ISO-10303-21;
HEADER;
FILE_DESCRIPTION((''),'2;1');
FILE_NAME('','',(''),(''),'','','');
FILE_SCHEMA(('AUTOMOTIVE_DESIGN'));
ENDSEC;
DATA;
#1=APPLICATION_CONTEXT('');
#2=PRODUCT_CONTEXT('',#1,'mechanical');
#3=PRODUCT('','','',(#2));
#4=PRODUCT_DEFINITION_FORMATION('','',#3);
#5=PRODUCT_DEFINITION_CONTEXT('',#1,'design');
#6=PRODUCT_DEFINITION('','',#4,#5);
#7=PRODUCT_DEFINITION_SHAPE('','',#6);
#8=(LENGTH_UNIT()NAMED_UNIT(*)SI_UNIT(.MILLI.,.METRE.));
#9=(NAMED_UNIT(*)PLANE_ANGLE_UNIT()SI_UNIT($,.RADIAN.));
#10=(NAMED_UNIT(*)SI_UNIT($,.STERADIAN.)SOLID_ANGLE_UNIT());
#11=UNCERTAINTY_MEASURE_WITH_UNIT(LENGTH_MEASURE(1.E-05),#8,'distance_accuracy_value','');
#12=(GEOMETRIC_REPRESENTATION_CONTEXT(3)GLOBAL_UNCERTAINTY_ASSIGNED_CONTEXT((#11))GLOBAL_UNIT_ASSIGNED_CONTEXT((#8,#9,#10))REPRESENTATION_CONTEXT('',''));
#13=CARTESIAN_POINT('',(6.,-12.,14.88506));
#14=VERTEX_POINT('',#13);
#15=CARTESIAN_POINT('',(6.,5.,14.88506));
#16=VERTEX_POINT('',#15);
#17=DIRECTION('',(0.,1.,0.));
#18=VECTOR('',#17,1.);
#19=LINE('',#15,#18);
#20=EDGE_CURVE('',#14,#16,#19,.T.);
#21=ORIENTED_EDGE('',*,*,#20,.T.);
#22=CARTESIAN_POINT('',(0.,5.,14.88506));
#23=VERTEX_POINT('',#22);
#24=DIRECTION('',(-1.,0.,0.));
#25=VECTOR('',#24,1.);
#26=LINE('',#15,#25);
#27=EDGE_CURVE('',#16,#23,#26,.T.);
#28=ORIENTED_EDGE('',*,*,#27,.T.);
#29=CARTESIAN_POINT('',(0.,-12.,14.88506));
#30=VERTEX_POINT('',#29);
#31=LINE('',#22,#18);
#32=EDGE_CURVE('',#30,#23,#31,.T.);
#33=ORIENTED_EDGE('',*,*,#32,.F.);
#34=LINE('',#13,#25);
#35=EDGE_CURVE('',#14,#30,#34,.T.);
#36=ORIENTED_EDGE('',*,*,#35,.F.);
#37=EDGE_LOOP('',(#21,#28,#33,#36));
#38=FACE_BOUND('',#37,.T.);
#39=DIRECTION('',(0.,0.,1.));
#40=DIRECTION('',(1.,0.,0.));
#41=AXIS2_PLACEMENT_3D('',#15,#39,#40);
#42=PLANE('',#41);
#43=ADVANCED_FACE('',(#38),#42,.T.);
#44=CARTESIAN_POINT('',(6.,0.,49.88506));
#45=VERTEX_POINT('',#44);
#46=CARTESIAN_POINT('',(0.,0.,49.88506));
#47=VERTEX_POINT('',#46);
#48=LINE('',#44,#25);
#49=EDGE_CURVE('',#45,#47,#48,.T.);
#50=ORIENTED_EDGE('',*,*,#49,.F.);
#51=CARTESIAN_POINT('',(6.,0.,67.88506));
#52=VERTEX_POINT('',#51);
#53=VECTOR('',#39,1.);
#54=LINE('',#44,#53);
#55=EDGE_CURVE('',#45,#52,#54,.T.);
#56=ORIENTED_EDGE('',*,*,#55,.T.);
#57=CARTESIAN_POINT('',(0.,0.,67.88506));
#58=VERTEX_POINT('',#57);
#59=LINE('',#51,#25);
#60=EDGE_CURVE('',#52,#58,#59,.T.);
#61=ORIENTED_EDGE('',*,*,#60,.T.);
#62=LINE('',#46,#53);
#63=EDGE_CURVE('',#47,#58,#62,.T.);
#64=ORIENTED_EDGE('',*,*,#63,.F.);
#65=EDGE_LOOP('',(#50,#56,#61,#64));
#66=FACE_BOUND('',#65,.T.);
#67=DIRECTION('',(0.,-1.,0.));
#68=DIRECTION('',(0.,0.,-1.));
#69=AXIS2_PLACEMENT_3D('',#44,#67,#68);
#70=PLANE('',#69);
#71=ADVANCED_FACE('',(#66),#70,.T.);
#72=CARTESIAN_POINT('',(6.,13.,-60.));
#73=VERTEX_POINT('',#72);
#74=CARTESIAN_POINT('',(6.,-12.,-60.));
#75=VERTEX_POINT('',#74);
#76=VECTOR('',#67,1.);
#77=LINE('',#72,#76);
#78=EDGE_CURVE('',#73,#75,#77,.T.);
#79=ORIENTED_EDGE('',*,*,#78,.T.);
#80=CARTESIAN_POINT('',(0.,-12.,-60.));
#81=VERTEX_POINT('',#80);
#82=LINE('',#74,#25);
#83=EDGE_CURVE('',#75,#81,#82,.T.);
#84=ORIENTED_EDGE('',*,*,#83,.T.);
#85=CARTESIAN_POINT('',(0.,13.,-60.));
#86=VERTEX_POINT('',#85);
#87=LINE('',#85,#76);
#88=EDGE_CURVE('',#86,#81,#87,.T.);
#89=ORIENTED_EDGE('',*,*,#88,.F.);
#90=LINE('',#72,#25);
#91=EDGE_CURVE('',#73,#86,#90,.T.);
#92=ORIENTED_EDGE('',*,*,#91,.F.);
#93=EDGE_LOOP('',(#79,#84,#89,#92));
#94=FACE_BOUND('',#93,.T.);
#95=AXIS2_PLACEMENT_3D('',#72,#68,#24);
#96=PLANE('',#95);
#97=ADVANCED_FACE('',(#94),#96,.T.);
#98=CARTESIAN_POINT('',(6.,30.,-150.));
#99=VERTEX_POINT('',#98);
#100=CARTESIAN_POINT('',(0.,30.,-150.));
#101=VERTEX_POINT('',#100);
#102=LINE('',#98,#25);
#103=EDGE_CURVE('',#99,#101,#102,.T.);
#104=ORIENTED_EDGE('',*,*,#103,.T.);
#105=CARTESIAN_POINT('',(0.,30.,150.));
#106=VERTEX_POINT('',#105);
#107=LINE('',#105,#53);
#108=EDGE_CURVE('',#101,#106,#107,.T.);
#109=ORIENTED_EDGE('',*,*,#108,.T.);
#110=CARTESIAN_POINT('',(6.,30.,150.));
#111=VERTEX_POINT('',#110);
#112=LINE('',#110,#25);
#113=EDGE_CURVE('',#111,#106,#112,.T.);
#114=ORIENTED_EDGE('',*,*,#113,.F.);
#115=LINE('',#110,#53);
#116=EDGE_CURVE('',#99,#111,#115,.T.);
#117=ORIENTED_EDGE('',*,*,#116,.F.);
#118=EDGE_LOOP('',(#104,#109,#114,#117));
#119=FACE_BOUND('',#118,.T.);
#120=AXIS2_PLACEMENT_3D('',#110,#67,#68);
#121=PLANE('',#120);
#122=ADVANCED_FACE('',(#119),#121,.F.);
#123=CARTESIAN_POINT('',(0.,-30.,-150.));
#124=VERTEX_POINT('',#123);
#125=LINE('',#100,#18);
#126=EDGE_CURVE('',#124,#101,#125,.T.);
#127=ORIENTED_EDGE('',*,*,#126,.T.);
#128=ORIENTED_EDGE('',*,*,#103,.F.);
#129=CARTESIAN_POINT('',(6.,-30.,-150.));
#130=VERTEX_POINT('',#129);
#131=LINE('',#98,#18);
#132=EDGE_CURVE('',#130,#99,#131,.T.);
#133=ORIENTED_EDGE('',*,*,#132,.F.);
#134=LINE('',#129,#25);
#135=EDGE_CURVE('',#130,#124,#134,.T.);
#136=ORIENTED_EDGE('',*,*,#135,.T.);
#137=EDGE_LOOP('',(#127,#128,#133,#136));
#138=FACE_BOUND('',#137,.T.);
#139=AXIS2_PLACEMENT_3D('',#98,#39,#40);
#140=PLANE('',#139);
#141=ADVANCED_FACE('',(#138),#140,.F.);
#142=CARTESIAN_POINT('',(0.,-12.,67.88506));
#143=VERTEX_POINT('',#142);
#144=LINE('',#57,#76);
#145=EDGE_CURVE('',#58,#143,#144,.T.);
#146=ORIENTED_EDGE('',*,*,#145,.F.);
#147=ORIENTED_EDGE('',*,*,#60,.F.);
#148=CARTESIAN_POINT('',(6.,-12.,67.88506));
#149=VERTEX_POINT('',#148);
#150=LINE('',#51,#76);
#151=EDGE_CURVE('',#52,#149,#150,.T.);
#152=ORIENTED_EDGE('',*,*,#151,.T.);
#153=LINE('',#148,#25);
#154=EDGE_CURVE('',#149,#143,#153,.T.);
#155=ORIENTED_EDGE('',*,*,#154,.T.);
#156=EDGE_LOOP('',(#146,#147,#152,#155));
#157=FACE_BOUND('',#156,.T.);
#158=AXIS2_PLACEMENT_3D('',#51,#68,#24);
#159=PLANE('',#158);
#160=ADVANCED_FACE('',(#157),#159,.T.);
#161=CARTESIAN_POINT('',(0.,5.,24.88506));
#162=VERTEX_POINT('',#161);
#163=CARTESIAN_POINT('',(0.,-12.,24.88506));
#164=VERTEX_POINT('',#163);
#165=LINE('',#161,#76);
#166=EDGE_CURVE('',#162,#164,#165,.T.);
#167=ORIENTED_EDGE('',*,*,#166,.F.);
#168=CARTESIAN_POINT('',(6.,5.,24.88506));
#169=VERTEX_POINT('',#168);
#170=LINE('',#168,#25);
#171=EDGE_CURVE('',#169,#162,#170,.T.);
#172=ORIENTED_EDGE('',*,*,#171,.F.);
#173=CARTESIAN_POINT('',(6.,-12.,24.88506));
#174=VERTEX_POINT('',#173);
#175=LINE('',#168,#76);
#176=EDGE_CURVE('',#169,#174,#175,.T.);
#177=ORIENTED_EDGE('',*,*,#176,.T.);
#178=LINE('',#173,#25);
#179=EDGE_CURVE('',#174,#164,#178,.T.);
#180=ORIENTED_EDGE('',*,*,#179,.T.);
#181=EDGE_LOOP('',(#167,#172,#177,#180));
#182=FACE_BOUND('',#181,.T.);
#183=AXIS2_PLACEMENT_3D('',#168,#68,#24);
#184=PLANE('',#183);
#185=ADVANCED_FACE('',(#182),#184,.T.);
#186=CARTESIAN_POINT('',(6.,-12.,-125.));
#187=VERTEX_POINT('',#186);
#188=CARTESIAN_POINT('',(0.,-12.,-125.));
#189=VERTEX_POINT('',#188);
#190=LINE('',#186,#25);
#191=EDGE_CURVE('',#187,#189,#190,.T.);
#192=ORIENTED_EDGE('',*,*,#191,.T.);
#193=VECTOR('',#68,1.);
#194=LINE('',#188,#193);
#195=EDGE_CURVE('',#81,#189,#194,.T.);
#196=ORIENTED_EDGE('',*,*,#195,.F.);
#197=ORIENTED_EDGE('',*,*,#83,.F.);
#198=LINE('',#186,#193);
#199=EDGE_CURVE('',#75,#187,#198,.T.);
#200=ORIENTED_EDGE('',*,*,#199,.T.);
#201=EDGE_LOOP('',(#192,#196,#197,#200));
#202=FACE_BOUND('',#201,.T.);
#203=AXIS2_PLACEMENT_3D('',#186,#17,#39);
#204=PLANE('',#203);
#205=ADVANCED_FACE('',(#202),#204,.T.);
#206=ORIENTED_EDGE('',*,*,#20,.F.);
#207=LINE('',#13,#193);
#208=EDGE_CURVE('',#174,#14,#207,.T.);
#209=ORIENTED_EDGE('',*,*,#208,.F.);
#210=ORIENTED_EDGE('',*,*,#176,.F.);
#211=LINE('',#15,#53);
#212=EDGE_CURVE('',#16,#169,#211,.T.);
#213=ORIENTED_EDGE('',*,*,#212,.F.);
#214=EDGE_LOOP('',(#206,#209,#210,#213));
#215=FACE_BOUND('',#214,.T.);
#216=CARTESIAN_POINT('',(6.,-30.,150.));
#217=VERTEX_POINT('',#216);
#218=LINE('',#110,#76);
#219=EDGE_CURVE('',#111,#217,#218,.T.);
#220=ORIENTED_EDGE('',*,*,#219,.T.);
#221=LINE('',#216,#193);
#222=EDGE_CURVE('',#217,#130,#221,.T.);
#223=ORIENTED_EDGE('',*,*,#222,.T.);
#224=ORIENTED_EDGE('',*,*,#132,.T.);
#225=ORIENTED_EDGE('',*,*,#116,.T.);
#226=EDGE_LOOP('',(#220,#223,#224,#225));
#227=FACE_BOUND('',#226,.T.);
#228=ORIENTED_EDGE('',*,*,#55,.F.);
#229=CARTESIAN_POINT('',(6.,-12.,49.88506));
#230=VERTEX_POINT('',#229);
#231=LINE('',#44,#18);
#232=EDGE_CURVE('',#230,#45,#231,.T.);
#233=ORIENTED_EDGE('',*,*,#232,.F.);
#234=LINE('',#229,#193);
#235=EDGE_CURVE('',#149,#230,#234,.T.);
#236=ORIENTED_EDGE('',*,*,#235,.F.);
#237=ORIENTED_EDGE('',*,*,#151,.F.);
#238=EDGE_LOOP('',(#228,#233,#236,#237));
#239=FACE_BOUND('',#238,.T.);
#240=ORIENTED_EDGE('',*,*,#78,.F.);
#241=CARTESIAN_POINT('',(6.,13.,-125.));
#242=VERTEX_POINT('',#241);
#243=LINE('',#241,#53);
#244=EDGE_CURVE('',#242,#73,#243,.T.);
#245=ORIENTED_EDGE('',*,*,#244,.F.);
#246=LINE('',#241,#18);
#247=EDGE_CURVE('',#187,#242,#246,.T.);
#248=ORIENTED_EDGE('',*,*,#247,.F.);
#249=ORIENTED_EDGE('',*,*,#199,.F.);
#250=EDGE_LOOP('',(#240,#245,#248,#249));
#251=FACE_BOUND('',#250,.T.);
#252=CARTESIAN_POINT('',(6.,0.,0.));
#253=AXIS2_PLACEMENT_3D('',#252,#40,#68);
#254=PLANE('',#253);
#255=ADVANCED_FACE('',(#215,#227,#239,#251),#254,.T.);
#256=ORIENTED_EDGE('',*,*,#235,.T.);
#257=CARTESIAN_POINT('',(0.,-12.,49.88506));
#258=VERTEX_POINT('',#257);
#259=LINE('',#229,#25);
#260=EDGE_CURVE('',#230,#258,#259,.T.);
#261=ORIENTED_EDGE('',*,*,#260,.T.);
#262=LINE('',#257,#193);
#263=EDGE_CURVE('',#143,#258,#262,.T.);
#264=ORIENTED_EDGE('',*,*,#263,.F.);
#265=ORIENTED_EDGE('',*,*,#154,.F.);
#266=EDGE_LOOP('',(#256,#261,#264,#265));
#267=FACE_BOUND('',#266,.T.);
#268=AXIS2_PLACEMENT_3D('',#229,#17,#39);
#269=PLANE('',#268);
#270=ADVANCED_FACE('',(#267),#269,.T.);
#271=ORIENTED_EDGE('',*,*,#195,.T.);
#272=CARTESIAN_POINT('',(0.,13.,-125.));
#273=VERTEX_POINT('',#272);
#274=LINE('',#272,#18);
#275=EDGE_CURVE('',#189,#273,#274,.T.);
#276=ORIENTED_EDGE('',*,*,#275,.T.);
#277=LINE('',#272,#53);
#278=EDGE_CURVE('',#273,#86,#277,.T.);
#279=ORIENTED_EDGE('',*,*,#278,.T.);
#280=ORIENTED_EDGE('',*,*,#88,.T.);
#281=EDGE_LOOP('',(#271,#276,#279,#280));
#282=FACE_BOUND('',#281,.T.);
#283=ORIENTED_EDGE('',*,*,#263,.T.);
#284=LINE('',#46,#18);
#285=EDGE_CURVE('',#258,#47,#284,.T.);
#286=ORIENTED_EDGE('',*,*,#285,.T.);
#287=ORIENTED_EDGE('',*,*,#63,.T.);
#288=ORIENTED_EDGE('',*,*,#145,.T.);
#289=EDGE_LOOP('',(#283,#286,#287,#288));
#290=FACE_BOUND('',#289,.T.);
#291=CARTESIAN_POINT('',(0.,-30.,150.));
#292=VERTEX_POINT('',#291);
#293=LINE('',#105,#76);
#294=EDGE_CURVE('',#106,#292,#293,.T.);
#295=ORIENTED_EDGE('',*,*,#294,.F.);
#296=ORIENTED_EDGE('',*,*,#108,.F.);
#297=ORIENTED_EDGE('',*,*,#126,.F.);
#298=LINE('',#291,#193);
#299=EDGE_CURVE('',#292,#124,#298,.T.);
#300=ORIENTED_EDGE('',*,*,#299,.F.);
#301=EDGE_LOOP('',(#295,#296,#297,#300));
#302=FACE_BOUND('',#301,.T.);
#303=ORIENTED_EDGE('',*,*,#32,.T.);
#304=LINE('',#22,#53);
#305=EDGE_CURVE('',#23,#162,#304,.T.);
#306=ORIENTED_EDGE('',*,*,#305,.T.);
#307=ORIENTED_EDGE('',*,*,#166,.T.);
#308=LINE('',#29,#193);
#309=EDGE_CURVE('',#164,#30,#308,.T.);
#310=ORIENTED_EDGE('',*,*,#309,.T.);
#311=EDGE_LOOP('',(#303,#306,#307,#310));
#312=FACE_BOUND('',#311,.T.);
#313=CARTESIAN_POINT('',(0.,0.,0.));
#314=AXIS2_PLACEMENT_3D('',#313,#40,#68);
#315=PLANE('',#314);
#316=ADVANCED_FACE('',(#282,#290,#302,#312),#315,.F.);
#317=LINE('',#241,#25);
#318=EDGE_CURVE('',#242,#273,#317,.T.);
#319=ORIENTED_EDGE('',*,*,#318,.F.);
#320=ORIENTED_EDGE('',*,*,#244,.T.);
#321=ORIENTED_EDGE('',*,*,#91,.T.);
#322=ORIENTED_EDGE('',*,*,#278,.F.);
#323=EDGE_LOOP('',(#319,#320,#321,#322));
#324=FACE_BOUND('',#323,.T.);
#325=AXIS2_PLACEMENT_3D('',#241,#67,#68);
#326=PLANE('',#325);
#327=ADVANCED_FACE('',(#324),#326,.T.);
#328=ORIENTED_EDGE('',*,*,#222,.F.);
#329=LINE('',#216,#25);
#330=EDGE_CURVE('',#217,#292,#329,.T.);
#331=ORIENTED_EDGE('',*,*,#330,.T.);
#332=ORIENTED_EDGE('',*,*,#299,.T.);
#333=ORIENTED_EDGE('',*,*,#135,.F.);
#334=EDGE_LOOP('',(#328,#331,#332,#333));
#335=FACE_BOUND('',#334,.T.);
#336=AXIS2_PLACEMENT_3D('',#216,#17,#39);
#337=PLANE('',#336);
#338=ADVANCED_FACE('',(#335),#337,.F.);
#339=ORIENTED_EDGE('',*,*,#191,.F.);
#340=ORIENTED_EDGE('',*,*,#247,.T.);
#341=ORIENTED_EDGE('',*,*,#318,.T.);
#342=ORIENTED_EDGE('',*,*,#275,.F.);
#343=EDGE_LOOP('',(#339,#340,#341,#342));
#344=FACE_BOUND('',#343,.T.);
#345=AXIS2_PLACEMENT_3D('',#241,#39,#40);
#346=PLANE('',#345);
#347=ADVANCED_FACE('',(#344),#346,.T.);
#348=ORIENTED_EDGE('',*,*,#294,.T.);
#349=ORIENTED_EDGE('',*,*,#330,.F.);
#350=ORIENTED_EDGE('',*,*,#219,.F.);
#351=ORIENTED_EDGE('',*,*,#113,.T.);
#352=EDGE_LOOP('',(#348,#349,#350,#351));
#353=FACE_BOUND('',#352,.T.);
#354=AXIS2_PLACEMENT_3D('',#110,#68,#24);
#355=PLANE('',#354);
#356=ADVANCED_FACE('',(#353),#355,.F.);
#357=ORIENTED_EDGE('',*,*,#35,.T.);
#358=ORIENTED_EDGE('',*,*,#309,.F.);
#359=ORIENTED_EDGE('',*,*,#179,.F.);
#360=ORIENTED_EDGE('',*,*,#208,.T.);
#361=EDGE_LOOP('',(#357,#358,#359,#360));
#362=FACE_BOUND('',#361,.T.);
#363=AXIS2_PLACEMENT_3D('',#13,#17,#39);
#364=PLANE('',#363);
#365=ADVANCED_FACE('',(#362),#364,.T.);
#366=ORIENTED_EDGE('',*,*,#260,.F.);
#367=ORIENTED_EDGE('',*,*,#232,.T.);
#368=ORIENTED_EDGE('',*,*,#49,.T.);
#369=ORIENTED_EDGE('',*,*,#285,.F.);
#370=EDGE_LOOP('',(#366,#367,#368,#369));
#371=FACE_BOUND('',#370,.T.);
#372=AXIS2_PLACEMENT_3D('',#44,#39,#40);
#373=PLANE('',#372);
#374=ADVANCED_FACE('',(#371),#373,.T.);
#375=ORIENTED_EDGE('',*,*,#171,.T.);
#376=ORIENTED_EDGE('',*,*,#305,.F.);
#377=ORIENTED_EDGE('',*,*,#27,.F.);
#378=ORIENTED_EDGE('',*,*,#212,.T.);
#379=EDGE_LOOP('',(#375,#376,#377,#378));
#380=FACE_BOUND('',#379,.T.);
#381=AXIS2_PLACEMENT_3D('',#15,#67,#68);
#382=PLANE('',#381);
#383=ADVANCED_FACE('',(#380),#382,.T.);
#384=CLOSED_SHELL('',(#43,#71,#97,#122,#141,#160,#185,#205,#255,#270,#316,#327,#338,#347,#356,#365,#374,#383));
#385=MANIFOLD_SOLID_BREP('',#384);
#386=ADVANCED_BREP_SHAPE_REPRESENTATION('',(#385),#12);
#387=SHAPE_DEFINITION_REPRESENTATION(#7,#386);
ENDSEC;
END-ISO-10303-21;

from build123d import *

# Parameters (mm, degrees)
SKETCH1_W           = 300
SKETCH1_H           = 60
SKETCH1_W_2         = 65
SKETCH1_H_2         = 25
SKETCH1_W_3         = 10
SKETCH1_H_3         = 17
SKETCH1_W_4         = 18
SKETCH1_H_4         = 12
BOSS_EXTRUDE1_DEPTH = 6


with BuildPart() as part:
    # Sketch1 → Boss-Extrude1 (new body)
    with BuildSketch(Plane(origin=(0, 0, 0), x_dir=(0, 0, -1), z_dir=(1, 0, 0))):
        Rectangle(SKETCH1_W, SKETCH1_H)
        with Locations((92.5, 0.5)):
            Rectangle(SKETCH1_W_2, SKETCH1_H_2, mode=Mode.SUBTRACT)
        with Locations((-19.885059814, -3.5)):
            Rectangle(SKETCH1_W_3, SKETCH1_H_3, mode=Mode.SUBTRACT)
        with Locations((-58.885059814, -6)):
            Rectangle(SKETCH1_W_4, SKETCH1_H_4, mode=Mode.SUBTRACT)
    extrude(amount=BOSS_EXTRUDE1_DEPTH)


solid = part.part
